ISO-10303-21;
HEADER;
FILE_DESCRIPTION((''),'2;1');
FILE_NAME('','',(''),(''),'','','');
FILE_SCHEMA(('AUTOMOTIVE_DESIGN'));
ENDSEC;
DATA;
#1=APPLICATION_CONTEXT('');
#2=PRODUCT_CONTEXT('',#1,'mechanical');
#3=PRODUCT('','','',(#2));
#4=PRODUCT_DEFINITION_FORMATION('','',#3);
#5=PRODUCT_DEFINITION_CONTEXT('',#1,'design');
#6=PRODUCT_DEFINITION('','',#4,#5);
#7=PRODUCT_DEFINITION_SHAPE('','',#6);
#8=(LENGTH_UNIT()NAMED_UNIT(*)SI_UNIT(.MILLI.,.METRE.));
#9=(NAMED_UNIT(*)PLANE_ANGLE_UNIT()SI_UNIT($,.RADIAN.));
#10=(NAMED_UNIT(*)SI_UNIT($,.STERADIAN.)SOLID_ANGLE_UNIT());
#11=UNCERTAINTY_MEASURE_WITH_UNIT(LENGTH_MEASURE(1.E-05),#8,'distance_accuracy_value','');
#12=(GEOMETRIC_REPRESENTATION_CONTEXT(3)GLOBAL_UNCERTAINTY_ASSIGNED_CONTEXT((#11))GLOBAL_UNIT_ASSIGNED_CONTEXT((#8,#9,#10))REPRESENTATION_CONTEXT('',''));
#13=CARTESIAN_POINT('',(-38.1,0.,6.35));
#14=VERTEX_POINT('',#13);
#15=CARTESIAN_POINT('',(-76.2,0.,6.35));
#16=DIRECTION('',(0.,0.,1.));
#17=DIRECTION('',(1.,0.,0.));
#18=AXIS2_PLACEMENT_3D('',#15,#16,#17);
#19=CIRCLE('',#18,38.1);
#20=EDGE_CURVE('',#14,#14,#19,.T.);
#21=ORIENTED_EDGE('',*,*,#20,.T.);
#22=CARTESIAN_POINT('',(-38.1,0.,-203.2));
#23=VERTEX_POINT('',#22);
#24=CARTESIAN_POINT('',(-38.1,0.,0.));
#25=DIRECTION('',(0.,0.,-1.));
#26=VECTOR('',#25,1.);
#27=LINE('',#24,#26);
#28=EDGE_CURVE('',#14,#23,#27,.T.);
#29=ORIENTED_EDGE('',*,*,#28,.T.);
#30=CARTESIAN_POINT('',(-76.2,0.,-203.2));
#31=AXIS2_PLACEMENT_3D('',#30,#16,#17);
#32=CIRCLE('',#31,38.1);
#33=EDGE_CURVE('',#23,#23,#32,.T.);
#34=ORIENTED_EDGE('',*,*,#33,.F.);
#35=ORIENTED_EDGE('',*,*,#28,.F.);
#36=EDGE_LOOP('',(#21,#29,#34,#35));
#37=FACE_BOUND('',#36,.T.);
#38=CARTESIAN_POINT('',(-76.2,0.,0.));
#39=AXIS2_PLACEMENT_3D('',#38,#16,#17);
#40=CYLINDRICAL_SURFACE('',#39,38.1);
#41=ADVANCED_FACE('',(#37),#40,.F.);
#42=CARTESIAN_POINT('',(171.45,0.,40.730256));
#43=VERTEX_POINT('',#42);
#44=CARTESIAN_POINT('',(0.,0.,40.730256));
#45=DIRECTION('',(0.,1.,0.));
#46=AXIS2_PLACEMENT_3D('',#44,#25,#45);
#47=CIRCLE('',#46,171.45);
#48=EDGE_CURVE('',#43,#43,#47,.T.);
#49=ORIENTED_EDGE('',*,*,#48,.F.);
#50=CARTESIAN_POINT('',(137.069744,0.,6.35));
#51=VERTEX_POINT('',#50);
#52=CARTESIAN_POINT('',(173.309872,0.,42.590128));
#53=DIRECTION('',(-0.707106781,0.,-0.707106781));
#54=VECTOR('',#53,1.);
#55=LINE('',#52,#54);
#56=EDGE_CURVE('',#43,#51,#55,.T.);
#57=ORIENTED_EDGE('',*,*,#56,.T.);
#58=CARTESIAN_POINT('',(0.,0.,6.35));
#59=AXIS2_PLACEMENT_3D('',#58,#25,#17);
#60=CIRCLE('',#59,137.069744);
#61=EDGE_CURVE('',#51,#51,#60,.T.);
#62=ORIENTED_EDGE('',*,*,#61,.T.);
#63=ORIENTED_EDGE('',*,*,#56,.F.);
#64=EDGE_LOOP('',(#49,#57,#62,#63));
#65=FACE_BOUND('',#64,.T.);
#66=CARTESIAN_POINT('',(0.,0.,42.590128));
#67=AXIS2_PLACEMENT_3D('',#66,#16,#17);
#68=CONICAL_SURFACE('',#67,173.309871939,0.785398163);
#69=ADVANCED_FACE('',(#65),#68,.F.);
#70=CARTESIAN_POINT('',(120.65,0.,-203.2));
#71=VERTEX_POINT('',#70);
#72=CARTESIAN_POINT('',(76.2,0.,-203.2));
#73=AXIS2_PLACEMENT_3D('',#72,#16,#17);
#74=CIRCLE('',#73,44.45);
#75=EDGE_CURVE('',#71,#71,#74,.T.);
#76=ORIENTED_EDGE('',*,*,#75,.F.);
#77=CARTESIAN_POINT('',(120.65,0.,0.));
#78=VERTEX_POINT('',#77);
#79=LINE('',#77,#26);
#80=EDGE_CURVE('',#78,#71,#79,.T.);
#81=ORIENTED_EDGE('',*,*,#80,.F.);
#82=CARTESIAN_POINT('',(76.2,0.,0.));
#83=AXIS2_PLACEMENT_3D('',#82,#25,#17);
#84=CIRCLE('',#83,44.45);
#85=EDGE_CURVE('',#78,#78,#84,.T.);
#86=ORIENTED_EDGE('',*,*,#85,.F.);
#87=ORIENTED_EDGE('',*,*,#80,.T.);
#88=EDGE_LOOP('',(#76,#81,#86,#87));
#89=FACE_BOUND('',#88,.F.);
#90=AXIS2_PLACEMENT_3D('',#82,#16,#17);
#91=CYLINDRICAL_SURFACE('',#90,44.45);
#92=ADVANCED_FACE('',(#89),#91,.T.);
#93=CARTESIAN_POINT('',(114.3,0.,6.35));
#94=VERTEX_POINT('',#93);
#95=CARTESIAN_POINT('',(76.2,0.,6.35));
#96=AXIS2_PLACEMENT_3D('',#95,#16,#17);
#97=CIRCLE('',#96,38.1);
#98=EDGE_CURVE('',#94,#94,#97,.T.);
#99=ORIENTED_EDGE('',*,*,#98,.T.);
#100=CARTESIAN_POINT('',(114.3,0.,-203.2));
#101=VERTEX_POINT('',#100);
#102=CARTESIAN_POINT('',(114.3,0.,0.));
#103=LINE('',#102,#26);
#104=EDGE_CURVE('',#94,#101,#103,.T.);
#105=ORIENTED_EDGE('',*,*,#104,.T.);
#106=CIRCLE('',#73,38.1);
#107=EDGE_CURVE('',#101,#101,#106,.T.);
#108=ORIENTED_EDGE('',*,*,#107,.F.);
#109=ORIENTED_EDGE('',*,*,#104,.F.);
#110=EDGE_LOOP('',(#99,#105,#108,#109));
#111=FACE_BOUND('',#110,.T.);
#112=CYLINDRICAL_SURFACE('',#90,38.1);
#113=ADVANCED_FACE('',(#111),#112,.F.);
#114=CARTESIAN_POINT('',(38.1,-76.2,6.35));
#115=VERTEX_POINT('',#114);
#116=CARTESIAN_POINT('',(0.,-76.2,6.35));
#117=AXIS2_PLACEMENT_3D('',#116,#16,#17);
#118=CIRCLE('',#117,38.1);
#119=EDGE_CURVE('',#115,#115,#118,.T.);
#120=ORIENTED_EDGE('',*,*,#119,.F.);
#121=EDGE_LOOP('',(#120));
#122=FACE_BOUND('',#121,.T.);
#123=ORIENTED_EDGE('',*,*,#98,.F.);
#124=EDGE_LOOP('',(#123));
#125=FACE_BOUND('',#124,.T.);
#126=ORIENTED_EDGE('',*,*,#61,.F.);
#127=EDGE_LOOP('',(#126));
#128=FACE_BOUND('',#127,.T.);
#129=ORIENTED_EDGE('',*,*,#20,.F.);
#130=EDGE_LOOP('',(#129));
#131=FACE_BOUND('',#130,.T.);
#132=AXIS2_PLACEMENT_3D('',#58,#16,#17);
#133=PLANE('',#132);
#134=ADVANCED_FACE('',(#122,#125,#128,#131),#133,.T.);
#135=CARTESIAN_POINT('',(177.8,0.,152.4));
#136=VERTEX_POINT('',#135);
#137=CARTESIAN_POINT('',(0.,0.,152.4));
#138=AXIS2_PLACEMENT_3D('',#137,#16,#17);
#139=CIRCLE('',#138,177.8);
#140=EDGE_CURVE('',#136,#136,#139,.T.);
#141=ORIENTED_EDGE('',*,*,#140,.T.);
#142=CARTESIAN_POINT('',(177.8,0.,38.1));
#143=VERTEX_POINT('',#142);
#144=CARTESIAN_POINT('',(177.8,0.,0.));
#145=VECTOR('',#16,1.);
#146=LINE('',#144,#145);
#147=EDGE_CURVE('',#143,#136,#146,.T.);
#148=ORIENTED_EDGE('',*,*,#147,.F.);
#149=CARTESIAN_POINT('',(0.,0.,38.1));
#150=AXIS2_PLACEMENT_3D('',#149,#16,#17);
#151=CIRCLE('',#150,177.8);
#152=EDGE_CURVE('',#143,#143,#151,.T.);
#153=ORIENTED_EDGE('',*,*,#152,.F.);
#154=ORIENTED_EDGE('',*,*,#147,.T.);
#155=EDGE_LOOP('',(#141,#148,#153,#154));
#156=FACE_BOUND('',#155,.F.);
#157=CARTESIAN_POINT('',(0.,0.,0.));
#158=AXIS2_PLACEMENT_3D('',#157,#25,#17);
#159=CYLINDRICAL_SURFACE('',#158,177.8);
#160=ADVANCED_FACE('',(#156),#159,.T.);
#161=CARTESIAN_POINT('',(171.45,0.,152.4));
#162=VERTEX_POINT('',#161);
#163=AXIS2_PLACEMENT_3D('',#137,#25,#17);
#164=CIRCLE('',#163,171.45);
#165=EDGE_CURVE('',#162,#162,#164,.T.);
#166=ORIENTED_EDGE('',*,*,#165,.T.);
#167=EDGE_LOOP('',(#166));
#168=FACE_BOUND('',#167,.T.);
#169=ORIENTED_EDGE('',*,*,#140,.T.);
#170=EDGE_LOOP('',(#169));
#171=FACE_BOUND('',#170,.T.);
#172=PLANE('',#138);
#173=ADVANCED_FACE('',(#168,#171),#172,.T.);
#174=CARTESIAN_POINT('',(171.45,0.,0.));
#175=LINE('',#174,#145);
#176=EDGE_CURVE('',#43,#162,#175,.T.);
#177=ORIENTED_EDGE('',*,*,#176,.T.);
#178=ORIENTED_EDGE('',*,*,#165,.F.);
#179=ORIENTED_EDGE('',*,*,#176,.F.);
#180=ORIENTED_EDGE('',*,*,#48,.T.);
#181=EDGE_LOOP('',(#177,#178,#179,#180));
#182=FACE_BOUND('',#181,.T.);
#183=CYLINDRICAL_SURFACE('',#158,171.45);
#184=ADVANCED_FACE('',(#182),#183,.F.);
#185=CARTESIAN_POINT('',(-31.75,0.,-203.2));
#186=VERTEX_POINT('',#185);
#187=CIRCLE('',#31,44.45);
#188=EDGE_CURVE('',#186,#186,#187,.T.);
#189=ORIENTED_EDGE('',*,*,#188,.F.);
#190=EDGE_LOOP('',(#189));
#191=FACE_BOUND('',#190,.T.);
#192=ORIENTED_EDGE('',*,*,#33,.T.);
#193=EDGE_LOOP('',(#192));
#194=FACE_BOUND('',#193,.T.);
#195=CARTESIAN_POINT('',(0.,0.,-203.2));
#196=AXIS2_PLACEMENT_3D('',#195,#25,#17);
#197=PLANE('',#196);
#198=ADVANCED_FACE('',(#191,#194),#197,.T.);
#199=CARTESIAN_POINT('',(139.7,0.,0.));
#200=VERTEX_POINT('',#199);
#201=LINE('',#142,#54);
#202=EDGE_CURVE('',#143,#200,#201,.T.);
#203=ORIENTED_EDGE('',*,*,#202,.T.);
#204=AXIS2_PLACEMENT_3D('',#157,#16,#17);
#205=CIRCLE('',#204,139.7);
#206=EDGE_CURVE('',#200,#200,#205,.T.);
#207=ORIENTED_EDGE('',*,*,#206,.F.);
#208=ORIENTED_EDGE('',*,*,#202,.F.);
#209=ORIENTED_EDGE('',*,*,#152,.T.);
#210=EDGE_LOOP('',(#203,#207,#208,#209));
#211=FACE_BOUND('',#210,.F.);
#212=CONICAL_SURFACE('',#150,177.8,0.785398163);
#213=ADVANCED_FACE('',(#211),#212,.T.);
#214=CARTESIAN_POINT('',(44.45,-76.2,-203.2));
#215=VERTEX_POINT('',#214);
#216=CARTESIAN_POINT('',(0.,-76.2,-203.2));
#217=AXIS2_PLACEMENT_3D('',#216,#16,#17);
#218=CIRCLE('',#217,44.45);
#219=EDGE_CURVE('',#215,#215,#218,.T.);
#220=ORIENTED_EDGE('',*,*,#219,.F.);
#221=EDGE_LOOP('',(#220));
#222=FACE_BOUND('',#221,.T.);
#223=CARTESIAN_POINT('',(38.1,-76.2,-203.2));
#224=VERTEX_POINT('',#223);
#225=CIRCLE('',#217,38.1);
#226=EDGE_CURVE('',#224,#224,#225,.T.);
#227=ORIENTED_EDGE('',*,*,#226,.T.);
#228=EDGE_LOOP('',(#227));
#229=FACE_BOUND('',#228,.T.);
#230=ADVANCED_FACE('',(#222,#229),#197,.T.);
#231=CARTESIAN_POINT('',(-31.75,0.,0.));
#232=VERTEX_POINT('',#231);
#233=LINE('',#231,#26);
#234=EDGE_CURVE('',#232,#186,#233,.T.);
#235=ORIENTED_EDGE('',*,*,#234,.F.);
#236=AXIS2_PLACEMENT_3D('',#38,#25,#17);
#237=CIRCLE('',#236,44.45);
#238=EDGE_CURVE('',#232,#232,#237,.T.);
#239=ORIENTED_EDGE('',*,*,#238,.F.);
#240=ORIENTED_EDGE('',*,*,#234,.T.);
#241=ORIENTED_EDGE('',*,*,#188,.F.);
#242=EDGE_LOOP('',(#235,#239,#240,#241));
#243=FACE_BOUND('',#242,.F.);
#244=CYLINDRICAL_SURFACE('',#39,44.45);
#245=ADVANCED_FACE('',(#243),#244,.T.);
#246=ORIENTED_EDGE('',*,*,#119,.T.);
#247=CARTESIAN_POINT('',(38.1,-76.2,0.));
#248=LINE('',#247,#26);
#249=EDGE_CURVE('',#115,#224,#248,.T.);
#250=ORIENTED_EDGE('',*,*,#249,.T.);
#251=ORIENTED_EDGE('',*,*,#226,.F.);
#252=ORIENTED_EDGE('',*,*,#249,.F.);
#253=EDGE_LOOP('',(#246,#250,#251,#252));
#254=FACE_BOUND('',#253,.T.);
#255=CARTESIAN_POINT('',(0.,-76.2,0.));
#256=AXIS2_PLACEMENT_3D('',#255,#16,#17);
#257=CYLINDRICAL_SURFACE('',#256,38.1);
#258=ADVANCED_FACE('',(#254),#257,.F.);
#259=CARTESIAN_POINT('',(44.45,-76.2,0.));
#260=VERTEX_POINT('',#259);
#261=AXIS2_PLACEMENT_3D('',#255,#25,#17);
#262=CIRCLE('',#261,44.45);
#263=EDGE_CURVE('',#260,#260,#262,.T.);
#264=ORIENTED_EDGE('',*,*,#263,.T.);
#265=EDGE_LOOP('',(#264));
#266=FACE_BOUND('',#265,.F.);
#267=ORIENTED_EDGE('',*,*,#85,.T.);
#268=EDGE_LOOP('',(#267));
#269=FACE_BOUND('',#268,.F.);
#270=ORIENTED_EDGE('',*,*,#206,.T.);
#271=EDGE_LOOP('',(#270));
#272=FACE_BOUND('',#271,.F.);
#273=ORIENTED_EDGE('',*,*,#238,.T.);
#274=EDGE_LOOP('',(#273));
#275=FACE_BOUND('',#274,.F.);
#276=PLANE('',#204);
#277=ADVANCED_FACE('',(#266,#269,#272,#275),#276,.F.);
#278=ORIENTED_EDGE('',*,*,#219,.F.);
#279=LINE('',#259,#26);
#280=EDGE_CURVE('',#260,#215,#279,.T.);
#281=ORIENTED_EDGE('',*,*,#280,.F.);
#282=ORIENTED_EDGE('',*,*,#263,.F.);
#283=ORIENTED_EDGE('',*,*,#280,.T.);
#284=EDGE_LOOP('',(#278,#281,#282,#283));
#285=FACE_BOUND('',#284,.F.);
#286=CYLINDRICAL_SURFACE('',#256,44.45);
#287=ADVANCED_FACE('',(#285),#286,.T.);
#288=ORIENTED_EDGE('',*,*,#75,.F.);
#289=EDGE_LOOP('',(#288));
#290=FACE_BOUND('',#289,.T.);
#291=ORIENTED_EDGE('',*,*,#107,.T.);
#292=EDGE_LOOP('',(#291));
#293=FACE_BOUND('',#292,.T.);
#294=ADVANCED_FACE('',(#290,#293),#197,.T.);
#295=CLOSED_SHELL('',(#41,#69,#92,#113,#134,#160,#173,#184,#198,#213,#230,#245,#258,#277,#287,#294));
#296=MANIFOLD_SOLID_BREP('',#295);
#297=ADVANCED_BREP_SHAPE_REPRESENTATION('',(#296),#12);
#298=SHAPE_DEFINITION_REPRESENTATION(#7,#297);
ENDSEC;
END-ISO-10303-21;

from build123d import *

# Parameters (mm, degrees)
F0_R     = 177.8
F1_DEPTH = 152.4
F2_R     = 44.45
F3_DEPTH = 209.55
F4_SIZE  = 38.1
F5_T     = -6.35
F6_R     = 132.6910727627
F7_DEPTH = 6.35


with BuildPart() as f1:
    # F0 (on Top) → F1 (new body)
    with BuildSketch(Plane.XY):
        Circle(F0_R)
    extrude(amount=F1_DEPTH)

    # F2 (on face) → F3 (join)
    with BuildSketch(Plane(origin=(0, 0, 0), x_dir=(1, 0, 0), z_dir=(0, 0, -1))):
        with Locations((76.2, 0)):
            Circle(F2_R)
        with Locations((0, 76.2)):
            Circle(F2_R)
        with Locations((-76.2, 0)):
            Circle(F2_R)
    extrude(amount=F3_DEPTH)

    # F4
    f4_edges = [f1.edges().sort_by_distance(p)[0] for p in [
        (-177.8, 0, 0),
    ]]
    chamfer(f4_edges, length=F4_SIZE)

    # F5
    f5_openings = [f1.faces().sort_by_distance(p)[0] for p in [
        (0, 0, 152.4),
    ]]
    offset(amount=F5_T, openings=f5_openings, kind=Kind.INTERSECTION)

    # F6 (on face) → F7 (cut)
    with BuildSketch(Plane(origin=(0, 0, -209.55), x_dir=(1, 0, 0), z_dir=(0, 0, -1))):
        Circle(F6_R)
    extrude(amount=-F7_DEPTH, mode=Mode.SUBTRACT)


solid = f1.part
